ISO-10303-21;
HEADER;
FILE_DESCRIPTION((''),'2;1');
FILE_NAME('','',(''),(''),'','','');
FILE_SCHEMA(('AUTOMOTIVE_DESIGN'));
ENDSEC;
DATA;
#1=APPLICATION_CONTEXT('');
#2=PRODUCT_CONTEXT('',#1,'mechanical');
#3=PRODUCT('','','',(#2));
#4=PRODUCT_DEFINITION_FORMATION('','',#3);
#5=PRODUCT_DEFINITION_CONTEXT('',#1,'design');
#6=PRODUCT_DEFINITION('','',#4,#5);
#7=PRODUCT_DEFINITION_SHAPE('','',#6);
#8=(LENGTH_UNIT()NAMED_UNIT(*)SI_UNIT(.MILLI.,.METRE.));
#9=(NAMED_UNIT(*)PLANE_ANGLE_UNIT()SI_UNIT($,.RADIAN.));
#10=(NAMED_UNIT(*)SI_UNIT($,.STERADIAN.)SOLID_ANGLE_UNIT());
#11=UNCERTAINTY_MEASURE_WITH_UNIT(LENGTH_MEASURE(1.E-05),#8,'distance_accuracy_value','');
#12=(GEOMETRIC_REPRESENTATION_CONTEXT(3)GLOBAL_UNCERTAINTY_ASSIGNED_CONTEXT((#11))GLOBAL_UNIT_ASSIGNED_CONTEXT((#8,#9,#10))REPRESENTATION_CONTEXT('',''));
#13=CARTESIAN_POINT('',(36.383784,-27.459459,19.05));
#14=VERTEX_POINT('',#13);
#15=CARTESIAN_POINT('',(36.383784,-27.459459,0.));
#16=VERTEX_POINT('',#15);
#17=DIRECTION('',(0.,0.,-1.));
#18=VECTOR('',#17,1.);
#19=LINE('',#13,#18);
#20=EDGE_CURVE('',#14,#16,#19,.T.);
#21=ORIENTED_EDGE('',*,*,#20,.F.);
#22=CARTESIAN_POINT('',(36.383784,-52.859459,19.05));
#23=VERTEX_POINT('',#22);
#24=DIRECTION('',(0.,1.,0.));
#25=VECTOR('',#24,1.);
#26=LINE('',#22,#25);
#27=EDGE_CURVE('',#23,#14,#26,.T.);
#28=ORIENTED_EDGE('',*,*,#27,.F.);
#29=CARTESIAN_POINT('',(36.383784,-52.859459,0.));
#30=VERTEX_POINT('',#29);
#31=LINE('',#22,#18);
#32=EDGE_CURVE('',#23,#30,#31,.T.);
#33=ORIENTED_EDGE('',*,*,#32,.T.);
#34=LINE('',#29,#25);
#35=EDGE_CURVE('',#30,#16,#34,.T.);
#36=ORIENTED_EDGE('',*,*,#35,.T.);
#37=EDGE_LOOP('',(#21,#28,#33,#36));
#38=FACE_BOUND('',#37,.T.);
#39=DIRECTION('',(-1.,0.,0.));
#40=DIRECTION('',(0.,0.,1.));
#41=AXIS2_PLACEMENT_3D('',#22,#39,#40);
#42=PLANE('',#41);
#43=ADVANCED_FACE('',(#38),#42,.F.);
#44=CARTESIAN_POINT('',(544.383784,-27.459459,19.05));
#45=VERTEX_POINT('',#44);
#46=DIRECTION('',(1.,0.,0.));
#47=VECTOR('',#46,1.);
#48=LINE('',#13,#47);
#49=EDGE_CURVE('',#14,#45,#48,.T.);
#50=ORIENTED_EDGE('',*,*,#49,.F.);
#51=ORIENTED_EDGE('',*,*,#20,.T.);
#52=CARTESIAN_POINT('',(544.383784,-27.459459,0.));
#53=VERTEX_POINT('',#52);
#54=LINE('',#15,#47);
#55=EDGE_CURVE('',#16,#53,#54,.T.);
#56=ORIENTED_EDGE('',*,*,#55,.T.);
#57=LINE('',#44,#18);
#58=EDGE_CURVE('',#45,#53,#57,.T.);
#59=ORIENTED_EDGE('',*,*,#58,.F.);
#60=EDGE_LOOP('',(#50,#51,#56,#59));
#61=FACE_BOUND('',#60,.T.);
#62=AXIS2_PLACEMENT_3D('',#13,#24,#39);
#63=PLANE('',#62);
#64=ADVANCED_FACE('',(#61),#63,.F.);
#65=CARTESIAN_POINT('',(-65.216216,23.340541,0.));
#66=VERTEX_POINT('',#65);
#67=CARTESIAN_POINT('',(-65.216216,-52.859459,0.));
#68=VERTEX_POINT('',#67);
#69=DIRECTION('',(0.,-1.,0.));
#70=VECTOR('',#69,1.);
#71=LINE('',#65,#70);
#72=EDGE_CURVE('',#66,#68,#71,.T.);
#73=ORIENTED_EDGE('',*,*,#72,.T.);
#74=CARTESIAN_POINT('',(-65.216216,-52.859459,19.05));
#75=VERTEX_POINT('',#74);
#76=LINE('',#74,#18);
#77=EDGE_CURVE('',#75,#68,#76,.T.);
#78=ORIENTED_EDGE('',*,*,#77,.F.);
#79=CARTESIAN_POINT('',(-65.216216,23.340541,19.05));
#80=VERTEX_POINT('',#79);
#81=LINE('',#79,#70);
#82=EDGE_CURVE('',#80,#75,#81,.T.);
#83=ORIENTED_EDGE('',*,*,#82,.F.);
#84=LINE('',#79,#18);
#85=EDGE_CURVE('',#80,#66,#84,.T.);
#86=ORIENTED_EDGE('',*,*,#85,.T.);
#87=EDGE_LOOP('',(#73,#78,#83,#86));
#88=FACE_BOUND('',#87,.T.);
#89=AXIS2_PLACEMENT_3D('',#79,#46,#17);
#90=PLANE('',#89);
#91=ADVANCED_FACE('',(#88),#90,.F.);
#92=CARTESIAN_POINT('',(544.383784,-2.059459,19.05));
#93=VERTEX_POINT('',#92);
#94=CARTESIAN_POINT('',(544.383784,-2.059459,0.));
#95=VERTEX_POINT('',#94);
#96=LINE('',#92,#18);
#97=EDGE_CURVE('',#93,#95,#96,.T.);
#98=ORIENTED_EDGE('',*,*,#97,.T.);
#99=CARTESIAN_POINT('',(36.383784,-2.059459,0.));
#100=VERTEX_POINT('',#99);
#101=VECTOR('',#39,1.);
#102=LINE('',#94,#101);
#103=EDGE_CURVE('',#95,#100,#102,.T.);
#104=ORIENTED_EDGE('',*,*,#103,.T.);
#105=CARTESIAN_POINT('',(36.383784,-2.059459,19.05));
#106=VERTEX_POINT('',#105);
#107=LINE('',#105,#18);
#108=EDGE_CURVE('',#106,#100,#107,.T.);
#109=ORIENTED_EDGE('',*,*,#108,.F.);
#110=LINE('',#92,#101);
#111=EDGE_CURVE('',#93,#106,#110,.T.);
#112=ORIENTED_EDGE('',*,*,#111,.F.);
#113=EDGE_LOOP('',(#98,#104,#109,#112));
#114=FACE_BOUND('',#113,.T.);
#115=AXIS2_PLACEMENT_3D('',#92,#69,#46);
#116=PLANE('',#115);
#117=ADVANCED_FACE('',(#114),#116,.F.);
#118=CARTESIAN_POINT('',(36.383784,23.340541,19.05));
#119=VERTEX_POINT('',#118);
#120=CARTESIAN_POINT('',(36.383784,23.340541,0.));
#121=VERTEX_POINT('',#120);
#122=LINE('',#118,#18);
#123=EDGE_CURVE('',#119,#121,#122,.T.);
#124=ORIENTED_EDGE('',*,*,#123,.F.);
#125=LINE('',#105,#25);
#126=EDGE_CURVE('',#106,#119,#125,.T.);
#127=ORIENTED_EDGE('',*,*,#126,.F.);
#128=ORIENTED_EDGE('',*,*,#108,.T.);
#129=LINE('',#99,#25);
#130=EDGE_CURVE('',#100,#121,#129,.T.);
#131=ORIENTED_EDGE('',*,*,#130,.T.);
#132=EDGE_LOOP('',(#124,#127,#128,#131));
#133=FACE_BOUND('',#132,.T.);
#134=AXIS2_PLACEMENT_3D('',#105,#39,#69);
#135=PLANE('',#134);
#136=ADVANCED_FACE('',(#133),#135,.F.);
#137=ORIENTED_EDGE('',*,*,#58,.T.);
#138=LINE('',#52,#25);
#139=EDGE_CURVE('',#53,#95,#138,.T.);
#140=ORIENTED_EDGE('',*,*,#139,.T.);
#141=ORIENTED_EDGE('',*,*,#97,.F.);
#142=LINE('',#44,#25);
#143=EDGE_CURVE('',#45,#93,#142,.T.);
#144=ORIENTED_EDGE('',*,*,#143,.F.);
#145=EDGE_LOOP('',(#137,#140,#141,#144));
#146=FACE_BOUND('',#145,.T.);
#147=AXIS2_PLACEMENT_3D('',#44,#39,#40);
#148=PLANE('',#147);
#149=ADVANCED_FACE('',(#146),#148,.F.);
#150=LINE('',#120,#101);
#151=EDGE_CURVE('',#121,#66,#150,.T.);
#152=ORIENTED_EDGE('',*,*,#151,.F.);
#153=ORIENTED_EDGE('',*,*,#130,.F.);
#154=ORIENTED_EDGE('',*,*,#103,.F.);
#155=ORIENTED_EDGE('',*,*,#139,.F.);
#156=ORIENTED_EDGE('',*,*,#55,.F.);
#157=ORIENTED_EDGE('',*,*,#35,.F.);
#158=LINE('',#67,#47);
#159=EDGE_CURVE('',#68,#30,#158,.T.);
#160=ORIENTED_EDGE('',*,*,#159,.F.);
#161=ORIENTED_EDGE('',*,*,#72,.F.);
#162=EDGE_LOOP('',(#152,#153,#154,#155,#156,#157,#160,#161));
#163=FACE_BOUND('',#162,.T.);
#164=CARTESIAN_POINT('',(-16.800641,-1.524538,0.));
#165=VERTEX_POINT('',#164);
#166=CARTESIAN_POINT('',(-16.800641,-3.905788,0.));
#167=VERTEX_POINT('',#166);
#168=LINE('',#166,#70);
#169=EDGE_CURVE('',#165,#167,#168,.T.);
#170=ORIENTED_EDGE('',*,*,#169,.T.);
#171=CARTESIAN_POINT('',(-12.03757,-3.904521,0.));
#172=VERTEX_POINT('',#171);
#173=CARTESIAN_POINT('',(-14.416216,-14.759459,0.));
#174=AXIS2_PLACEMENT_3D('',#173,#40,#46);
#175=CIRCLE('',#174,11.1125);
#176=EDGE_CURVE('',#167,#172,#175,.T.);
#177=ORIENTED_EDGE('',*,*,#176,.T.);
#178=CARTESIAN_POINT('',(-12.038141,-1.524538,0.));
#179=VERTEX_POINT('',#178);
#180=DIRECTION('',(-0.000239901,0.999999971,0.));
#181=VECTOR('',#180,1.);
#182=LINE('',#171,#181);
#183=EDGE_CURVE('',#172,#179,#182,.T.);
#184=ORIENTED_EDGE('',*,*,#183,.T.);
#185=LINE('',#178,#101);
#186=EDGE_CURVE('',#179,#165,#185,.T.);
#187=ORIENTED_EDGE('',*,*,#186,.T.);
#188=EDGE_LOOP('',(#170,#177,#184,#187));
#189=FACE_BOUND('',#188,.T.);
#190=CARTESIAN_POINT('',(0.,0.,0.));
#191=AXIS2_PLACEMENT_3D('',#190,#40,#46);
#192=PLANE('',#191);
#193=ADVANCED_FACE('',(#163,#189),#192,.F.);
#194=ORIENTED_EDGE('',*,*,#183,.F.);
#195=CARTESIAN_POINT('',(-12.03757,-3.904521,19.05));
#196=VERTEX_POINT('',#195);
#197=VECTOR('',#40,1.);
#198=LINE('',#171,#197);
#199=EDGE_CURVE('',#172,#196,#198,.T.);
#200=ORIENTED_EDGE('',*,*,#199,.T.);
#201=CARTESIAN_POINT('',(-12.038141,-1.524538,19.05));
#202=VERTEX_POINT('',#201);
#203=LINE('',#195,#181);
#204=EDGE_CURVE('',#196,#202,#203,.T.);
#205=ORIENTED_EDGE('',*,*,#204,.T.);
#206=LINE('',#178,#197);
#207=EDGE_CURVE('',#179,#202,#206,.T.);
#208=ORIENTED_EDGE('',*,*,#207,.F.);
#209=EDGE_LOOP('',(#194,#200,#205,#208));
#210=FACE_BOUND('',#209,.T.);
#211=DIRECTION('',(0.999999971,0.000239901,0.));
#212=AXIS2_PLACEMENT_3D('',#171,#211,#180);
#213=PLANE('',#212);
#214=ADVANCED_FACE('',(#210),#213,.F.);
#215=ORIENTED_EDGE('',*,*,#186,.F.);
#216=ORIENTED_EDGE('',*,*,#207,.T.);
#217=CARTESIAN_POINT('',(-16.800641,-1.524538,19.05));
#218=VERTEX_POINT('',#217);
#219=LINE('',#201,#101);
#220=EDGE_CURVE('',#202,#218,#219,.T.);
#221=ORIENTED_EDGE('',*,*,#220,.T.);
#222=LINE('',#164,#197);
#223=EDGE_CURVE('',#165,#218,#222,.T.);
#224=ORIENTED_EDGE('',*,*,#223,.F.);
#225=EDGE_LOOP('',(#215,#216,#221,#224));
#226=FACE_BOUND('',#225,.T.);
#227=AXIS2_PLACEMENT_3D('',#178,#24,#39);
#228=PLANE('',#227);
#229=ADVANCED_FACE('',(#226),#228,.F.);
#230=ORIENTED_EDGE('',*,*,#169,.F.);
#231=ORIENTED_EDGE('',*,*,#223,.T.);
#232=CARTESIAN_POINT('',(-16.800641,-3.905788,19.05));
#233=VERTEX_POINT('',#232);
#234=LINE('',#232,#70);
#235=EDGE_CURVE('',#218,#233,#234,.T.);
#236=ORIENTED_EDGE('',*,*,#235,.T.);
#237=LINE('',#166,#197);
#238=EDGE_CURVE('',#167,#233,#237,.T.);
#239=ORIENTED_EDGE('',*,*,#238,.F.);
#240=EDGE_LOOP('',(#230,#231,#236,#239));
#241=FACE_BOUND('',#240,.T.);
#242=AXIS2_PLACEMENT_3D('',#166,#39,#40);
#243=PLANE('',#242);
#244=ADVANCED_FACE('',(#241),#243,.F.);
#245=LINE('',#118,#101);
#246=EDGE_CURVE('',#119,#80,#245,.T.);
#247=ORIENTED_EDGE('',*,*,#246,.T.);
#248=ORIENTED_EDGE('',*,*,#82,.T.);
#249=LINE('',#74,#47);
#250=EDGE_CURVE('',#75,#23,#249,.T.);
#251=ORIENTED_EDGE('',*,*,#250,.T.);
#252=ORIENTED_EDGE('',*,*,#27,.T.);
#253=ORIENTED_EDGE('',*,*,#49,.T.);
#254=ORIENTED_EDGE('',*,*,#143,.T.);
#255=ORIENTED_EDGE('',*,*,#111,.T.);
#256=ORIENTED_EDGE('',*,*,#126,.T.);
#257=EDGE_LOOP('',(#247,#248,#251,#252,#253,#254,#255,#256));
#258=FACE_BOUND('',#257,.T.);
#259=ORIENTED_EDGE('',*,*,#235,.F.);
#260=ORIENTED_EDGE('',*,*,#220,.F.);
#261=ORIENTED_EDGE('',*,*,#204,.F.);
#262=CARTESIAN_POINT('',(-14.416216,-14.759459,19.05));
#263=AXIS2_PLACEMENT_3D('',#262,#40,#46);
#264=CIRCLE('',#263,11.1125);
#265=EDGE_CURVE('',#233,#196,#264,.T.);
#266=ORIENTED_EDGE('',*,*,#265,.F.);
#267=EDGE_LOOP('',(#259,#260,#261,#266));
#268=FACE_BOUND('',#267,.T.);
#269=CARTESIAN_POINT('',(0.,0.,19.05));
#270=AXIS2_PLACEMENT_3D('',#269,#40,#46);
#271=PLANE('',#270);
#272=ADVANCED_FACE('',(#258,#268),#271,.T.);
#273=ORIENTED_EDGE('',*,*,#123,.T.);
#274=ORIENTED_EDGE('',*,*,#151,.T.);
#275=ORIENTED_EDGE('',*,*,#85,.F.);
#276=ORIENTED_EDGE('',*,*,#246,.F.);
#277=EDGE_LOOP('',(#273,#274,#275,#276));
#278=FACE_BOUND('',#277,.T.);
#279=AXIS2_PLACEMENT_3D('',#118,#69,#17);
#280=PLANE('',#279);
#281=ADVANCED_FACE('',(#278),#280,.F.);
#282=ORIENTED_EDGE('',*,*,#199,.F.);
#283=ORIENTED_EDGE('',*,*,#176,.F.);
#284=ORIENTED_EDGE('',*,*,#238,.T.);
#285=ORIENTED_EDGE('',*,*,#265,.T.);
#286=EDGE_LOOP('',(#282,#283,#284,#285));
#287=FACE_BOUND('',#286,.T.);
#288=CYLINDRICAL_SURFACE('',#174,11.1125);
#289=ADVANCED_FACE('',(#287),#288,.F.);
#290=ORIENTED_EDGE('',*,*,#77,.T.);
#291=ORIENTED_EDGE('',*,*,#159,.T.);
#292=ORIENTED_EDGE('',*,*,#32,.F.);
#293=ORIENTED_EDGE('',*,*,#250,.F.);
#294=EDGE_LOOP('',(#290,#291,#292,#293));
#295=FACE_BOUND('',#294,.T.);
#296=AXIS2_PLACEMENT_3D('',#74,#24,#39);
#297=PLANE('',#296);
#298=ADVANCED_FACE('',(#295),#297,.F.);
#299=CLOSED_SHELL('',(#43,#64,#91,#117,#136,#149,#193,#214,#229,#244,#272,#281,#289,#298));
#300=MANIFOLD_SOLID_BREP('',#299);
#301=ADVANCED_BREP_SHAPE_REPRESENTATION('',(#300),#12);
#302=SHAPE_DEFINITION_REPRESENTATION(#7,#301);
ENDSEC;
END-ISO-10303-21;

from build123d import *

# Parameters (mm, degrees)
BOSS_EXTRUDE1_DEPTH = 19.05
CUT_EXTRUDE1_DEPTH  = 20.05


with BuildPart() as part:
    # Sketch1 → Boss-Extrude1 (new body)
    with BuildSketch(Plane.XY):
        Polygon((-65.216216216, 23.340540541), (-65.216216216, -52.859459459), (36.383783784, -52.859459459), (36.383783784, -27.459459459), (544.383783784, -27.459459459), (544.383783784, -2.059459459), (36.383783784, -2.059459459), (36.383783784, 23.340540541), align=None)
    extrude(amount=BOSS_EXTRUDE1_DEPTH)

    # Sketch2 → Cut-Extrude1 (cut, through all)
    with BuildSketch(Plane.XY.offset(19.05)):
        with BuildLine():
            Line((-12.037570257, -3.904520508), (-12.038141216, -1.524538483))
            Line((-12.038141216, -1.524538483), (-16.800641216, -1.524538483))
            Line((-16.800641216, -1.524538483), (-16.800641216, -3.905788483))
            ThreePointArc((-16.800641216, -3.905788483), (-14.413257962, -25.871959066), (-12.037570257, -3.904520508))
        make_face()
    extrude(amount=-CUT_EXTRUDE1_DEPTH, mode=Mode.SUBTRACT)


solid = part.part
